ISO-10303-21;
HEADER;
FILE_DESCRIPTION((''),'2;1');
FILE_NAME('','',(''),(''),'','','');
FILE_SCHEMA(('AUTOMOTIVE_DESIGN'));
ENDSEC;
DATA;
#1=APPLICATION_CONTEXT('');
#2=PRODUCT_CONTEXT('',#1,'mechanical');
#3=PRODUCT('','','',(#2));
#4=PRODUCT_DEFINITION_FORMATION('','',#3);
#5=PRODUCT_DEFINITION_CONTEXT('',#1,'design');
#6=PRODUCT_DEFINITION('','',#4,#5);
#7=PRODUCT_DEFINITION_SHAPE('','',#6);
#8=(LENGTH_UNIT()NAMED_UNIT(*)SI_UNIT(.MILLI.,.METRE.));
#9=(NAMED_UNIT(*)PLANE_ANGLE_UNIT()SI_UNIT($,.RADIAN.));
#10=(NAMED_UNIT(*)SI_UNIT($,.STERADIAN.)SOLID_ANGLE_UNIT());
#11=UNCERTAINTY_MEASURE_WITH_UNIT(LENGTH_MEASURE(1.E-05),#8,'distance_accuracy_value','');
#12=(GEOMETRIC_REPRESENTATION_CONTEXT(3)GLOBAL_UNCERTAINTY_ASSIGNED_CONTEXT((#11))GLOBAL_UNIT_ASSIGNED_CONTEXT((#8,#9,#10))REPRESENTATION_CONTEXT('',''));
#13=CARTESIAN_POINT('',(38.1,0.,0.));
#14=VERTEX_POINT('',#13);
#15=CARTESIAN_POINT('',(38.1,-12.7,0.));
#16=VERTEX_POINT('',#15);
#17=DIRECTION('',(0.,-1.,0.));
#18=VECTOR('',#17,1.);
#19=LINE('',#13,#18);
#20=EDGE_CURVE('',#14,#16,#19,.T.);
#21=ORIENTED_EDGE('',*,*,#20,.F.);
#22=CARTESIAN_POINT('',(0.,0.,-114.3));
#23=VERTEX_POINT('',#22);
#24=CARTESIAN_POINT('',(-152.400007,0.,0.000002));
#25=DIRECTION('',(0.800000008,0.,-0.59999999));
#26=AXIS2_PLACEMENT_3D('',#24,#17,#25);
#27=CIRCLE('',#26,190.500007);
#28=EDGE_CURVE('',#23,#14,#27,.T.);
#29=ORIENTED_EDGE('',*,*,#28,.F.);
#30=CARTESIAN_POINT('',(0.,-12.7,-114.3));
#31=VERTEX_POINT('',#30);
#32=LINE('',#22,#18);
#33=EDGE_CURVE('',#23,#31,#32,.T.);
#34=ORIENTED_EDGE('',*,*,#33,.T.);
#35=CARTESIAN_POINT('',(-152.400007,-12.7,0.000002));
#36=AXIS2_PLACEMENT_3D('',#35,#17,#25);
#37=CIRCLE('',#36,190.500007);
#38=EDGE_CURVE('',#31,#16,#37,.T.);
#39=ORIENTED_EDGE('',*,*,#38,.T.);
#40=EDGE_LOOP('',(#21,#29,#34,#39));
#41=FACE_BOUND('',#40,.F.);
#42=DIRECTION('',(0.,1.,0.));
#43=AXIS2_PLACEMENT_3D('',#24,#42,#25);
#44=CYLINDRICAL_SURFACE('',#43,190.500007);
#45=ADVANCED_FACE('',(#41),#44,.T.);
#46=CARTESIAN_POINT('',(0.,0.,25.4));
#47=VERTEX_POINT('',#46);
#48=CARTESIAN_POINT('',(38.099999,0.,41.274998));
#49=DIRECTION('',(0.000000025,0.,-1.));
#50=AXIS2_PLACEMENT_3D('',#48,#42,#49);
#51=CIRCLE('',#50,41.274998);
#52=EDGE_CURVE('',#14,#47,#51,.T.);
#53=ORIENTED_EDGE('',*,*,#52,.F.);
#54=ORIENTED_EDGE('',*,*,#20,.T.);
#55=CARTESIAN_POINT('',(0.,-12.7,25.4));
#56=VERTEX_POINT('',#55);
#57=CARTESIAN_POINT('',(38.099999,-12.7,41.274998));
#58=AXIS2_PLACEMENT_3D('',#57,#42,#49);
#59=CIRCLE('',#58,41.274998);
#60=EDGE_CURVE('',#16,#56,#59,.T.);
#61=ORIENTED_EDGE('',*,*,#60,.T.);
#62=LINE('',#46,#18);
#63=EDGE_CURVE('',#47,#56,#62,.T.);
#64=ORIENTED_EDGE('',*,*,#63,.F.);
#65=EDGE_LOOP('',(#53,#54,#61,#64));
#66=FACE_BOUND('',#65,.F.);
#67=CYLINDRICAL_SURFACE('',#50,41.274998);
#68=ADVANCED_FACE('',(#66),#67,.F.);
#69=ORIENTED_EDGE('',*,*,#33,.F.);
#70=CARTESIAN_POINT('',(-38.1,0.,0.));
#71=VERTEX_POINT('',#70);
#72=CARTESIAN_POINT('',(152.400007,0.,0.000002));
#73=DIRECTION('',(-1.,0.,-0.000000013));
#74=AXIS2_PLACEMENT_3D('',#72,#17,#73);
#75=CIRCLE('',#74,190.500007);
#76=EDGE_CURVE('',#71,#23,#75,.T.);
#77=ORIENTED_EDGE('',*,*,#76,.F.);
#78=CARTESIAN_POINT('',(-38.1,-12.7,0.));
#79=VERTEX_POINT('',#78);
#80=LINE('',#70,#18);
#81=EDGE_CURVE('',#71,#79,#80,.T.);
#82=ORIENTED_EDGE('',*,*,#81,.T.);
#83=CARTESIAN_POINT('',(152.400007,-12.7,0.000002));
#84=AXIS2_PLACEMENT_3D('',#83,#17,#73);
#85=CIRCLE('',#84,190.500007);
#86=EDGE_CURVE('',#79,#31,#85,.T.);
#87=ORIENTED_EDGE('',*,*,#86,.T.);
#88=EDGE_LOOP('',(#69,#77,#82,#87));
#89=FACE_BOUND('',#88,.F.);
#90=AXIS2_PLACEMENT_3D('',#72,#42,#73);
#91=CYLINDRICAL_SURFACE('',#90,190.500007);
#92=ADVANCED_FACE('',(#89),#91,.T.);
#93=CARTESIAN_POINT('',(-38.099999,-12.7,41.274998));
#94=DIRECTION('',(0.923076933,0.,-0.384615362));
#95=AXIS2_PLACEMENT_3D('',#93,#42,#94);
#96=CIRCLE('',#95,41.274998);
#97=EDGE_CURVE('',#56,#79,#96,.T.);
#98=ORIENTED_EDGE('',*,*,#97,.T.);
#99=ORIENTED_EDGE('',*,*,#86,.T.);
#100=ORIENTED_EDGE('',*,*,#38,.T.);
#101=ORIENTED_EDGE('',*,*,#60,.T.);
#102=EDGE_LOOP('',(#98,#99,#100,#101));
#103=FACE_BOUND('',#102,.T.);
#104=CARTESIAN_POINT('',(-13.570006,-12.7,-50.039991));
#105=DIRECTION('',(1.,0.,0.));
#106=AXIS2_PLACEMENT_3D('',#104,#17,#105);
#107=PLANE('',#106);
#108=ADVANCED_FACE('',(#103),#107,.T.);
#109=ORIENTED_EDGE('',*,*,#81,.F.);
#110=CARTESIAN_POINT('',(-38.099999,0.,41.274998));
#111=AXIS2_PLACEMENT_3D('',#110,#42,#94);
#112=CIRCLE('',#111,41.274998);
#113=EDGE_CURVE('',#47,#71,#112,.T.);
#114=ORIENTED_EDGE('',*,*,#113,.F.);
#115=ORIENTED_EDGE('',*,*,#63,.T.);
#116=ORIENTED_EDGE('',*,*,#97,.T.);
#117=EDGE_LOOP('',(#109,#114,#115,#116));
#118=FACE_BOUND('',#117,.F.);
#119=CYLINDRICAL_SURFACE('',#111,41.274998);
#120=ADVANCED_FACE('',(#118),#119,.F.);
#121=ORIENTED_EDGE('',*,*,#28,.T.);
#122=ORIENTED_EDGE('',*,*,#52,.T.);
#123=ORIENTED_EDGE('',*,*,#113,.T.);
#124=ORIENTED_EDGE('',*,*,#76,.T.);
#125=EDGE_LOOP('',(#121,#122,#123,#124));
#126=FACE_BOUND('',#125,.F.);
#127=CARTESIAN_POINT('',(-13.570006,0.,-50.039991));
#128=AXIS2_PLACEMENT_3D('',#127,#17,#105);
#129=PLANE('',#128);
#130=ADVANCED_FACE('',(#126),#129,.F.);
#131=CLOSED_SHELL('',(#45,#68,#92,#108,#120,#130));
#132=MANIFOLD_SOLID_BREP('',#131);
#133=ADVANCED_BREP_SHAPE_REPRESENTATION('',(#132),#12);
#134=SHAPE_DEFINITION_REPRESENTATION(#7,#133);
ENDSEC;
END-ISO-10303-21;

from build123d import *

# Parameters (mm, degrees)
F1_DEPTH = 12.7


with BuildPart() as f1:
    # F0 (on Front) → F1 (new body)
    with BuildSketch(Plane.XZ):
        with BuildLine():
            Line((0, -114.3), (0, -38.1))
            Line((0, -38.1), (0, 0))
            Line((0, 0), (-38.1, 0))
            ThreePointArc((-38.1, 0), (-28.324168, -60.241389), (0, -114.3))
        make_face()
        with BuildLine():
            Line((0, 0), (0, -38.1))
            Line((0, -38.1), (0, -114.3))
            ThreePointArc((0, -114.3), (28.324168, -60.241389), (38.1, 0))
            Line((38.1, 0), (0, 0))
        make_face()
        with BuildLine():
            Line((0, 25.4), (0, 0))
            Line((0, 0), (38.1, 0))
            ThreePointArc((38.1, 0), (15.204749, 6.932124), (0, 25.4))
        make_face()
        with BuildLine():
            Line((-38.1, 0), (0, 0))
            Line((0, 0), (0, 25.4))
            ThreePointArc((0, 25.4), (-15.204749, 6.932124), (-38.1, 0))
        make_face()
    extrude(amount=F1_DEPTH)


solid = f1.part
